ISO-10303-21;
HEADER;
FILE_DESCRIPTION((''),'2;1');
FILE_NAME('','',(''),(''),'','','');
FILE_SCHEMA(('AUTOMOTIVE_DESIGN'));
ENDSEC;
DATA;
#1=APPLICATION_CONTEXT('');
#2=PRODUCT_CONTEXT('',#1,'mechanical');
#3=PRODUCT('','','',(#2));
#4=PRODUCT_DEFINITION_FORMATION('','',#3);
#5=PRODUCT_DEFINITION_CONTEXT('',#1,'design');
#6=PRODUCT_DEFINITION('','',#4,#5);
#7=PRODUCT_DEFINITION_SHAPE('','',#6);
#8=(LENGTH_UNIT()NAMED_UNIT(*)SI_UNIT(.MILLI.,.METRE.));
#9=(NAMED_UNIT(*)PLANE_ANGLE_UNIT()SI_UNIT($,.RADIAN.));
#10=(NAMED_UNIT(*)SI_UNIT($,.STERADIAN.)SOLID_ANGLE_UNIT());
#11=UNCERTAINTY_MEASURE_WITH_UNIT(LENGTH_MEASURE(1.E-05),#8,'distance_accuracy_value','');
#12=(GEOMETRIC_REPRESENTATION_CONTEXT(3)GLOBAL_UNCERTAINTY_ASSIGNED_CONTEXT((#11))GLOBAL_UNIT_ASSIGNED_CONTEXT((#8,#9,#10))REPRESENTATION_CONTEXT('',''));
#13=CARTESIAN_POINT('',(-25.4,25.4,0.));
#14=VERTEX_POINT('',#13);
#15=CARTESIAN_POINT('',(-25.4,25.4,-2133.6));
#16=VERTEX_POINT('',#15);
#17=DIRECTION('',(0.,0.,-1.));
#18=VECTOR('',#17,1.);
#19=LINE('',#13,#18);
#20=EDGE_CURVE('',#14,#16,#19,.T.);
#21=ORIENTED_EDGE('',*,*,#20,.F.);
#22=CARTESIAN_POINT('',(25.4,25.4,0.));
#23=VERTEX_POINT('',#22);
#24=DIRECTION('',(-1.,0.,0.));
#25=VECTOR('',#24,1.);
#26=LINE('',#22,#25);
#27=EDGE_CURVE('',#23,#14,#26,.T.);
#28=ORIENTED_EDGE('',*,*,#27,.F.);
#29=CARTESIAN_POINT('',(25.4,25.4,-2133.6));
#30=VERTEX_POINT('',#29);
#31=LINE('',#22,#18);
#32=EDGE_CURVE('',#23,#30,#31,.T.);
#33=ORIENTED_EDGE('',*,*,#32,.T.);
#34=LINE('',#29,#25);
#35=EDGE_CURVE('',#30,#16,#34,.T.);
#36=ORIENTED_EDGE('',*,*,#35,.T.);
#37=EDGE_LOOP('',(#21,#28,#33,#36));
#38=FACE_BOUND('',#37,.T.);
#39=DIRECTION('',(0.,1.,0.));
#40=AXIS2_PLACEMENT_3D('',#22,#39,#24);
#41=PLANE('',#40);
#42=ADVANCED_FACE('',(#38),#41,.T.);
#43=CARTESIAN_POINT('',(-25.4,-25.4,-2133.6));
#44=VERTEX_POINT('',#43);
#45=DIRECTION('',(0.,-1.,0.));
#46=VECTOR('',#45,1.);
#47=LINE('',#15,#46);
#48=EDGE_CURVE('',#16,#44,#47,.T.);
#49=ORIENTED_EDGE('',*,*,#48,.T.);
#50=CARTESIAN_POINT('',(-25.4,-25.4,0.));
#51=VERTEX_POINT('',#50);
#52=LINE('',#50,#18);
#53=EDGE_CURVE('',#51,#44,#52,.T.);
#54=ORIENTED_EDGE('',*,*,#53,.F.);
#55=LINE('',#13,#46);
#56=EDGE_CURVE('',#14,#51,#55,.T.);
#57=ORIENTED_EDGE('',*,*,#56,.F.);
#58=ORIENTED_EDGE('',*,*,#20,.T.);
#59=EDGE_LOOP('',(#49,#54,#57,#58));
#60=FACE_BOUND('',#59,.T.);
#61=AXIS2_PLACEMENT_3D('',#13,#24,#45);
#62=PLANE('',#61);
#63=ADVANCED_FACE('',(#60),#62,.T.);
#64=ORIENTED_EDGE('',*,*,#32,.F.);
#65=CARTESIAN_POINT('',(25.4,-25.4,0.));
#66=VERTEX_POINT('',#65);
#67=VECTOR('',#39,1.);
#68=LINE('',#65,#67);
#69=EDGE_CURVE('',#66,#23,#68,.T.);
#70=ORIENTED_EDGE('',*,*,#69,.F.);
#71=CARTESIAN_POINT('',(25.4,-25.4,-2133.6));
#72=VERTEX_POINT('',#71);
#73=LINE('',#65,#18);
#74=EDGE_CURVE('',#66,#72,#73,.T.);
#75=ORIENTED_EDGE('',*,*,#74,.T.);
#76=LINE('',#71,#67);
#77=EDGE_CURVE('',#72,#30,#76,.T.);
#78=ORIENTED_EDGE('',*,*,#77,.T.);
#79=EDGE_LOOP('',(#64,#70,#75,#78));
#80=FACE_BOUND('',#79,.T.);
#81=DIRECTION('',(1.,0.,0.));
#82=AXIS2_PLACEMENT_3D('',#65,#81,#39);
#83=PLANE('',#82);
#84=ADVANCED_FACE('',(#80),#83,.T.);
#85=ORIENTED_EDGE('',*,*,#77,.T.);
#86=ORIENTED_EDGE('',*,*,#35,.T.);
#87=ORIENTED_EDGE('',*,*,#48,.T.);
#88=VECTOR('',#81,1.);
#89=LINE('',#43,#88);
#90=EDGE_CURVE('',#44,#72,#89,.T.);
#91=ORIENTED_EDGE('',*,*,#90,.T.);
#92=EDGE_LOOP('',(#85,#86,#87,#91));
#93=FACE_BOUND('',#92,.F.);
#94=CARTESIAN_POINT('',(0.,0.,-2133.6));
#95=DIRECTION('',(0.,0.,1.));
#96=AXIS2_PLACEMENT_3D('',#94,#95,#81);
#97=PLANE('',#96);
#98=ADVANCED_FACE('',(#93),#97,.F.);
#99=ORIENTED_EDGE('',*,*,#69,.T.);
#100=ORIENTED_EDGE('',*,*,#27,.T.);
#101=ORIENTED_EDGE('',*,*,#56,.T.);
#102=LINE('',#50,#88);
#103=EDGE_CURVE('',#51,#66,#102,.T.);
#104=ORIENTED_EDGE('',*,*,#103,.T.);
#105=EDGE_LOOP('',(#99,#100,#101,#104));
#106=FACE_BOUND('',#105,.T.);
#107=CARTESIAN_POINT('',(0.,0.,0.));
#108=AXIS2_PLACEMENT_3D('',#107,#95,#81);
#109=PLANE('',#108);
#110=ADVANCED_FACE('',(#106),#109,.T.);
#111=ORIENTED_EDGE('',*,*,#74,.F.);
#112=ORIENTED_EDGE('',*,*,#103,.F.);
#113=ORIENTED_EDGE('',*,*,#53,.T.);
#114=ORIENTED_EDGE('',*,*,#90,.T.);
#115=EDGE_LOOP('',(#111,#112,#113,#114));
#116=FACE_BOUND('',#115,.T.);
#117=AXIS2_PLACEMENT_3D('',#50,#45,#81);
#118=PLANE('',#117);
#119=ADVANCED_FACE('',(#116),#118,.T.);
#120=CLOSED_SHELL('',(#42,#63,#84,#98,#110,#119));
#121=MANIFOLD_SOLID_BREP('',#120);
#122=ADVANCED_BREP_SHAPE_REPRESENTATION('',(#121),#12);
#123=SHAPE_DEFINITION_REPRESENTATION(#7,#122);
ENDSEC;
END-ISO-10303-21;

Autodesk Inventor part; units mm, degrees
ref_plane "YZ Plane" through (0, 0, 0) normal (1, 0, 0) x (0, 1, 0)
ref_plane "XZ Plane" through (0, 0, 0) normal (0, 1, 0) x (-1, 0, 0)
ref_plane "XY Plane" through (0, 0, 0) normal (0, 0, 1) x (1, 0, 0)
sketch "Sketch1" plane through (0, 0, 0) normal (0, 0, 1) x (1, 0, 0)
  line L0 (25.4, 25.4) -> (-25.4, 25.4)
  line L1 (-25.4, 25.4) -> (-25.4, -25.4)
  line L2 (-25.4, -25.4) -> (25.4, -25.4)
  line L3 (25.4, -25.4) -> (25.4, 25.4)
  line L4 (25.4, 25.4) -> (-25.4, -25.4) construction
  line L5 (-25.4, 25.4) -> (25.4, -25.4) construction
  point P0 (0, 0)
  dimension "d0" = 50.8
  dimension "d1" = 50.8
extrude "Extrusion1" add sketch "Sketch1" against normal blind 2133.6
properties part number "Vertical Rung"
